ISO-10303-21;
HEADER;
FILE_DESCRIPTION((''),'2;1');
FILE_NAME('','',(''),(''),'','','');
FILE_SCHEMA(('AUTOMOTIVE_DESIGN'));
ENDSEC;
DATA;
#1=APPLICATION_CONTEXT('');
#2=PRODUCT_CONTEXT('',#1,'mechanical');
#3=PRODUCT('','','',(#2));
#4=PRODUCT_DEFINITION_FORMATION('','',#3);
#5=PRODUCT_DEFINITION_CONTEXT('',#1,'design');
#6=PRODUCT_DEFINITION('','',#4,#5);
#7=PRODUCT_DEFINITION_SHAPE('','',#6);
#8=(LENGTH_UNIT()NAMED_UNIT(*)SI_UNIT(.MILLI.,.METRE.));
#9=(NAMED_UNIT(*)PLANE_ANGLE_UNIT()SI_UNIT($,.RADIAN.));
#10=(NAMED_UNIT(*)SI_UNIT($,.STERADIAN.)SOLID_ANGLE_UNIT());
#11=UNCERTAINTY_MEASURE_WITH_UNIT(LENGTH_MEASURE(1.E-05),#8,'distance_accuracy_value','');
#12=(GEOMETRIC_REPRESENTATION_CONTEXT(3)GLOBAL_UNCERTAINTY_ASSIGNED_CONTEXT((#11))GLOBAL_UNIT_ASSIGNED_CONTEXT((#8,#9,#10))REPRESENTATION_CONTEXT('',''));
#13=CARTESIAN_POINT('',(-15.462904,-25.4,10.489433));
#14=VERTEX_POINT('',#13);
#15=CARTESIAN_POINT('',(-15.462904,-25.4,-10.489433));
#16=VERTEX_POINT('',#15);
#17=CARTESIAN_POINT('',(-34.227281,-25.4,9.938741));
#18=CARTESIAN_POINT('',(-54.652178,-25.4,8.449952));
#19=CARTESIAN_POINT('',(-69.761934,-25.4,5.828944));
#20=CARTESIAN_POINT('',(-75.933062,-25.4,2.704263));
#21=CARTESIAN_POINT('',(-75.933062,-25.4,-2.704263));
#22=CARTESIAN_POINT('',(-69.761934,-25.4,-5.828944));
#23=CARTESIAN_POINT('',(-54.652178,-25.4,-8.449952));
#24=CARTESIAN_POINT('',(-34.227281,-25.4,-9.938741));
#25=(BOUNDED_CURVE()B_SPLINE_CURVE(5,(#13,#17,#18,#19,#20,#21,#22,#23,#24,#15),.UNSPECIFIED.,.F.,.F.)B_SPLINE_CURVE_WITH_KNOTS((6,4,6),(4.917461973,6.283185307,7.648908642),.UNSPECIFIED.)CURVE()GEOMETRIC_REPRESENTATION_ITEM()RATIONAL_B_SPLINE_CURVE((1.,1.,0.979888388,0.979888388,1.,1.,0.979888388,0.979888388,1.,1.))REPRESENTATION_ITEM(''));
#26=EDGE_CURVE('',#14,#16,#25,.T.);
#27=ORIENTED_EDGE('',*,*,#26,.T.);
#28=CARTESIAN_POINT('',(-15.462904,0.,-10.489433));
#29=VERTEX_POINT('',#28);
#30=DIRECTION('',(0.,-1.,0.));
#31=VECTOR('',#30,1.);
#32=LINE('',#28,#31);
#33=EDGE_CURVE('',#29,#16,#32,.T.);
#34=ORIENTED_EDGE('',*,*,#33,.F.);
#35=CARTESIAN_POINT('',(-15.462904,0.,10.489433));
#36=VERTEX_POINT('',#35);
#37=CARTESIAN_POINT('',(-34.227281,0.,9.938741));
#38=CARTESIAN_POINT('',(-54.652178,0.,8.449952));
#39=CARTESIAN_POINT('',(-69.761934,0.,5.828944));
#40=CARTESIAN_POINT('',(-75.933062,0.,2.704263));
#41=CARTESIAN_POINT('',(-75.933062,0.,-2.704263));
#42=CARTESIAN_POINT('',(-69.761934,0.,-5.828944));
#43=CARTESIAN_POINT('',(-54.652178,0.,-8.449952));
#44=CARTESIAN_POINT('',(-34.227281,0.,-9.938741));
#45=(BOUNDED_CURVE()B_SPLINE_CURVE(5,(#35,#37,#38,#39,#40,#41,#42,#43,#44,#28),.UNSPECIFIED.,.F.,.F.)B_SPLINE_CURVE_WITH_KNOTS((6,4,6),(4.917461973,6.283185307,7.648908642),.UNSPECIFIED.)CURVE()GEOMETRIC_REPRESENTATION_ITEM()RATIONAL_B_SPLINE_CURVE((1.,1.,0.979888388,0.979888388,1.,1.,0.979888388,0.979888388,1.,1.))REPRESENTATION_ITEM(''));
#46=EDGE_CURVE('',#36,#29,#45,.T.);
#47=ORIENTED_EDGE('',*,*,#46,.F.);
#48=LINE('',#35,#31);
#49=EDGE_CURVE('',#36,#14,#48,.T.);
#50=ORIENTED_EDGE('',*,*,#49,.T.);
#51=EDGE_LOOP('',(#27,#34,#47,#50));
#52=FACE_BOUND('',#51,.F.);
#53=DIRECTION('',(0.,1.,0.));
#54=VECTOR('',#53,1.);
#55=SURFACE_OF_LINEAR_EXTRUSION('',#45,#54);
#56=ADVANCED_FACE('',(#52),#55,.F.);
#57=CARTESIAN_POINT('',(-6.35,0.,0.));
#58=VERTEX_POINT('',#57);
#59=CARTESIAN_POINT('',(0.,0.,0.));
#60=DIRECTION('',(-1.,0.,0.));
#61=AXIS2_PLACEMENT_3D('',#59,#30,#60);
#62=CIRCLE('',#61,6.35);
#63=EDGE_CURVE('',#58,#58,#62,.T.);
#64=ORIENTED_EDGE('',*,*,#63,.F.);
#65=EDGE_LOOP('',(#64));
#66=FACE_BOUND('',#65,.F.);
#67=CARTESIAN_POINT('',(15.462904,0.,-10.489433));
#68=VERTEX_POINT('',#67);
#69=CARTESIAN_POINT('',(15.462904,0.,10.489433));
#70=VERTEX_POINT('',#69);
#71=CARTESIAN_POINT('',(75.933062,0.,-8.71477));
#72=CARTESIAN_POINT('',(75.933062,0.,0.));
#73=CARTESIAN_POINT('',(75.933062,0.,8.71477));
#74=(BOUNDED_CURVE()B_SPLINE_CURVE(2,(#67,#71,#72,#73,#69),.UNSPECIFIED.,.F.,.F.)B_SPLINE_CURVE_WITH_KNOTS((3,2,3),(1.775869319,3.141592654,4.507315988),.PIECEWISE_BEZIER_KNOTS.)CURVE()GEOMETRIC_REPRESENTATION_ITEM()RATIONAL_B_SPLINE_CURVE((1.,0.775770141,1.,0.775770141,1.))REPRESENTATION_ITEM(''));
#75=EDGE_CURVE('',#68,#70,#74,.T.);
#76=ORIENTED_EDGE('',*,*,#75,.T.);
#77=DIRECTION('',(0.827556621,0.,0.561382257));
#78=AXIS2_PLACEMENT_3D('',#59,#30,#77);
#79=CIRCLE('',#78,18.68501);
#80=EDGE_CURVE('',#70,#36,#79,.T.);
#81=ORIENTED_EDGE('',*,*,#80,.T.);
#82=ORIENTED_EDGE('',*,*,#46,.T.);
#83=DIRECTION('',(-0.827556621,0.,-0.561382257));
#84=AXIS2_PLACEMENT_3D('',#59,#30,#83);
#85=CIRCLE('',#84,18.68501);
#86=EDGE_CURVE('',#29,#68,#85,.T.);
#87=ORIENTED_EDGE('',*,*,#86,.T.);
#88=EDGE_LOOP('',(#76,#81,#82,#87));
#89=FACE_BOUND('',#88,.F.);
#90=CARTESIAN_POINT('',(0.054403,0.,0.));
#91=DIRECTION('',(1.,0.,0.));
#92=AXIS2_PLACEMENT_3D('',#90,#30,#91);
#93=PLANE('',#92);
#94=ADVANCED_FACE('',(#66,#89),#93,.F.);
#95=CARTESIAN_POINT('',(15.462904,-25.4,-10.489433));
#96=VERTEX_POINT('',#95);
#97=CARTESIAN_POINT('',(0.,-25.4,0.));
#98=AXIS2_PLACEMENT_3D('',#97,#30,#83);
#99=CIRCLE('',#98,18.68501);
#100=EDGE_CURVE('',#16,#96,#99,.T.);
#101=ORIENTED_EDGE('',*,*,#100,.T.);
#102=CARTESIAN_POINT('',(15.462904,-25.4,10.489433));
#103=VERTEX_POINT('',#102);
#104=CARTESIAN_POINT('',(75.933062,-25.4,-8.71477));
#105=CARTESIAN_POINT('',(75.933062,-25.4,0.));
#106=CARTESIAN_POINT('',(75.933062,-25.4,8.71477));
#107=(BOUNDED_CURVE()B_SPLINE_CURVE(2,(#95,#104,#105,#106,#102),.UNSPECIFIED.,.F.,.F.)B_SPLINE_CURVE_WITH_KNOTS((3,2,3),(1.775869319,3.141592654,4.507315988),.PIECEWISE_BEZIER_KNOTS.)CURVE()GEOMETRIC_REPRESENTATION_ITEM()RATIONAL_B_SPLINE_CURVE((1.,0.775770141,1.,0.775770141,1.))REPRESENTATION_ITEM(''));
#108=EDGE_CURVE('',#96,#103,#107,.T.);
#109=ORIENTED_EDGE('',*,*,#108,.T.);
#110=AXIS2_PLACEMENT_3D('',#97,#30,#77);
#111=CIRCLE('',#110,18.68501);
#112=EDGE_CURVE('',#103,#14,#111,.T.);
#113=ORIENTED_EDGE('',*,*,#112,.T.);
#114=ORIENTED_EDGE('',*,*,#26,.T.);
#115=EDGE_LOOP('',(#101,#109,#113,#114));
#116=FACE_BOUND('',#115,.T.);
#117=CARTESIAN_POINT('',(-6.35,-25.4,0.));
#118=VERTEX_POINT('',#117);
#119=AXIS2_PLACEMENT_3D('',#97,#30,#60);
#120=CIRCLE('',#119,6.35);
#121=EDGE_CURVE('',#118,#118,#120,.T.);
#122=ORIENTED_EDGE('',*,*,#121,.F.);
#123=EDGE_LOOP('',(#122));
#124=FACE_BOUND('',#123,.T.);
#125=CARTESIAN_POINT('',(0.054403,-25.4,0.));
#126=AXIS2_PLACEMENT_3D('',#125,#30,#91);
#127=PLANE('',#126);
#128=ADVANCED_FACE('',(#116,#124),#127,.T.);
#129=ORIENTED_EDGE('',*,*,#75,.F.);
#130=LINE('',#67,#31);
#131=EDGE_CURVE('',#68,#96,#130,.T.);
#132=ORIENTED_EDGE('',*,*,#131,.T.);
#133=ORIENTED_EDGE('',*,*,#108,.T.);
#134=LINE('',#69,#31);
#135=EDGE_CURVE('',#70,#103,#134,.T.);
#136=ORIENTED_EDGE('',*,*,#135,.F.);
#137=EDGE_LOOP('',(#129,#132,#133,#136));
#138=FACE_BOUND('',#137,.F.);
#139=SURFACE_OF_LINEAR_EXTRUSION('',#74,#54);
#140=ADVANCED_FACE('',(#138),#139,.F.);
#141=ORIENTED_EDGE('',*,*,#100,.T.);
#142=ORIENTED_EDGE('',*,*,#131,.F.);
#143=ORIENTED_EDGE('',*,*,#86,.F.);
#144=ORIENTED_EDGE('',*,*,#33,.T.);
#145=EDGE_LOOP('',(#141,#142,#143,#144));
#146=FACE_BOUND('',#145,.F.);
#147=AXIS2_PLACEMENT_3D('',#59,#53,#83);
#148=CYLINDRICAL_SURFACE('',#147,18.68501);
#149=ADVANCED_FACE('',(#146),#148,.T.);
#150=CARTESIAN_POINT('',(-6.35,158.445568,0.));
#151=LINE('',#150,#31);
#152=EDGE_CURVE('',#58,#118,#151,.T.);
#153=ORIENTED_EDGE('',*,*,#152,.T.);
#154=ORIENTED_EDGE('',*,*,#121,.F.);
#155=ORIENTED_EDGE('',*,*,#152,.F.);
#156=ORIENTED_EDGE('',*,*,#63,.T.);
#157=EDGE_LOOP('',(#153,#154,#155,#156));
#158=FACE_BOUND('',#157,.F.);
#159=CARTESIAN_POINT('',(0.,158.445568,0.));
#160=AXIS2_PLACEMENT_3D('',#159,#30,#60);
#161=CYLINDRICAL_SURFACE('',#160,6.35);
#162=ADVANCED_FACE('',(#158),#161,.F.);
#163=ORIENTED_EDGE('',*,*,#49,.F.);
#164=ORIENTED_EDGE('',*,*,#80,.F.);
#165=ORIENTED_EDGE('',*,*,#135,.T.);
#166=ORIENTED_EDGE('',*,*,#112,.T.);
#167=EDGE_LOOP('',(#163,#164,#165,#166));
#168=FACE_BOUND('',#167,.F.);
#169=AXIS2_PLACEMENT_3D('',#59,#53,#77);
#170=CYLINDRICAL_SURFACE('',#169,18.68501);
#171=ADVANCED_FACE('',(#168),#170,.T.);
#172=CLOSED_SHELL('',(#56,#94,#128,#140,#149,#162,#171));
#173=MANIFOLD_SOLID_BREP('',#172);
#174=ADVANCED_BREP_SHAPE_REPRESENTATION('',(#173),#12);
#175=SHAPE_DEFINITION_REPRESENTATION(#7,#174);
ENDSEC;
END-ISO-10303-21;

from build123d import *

# Parameters (mm, degrees)
F1_DEPTH = 25.4
F2_D     = 12.7


with BuildPart() as f1:
    # F0 (on Front) → F1 (new body)
    with BuildSketch(Plane.XZ):
        with BuildLine():
            ThreePointArc((15.4629041106, -10.4894333364), (17.8613288985, -5.4865786456), (18.6850104429, 0))
            ThreePointArc((18.6850104429, 0), (17.8613288985, 5.4865786456), (15.4629041106, 10.4894333364))
            add(Edge.make_bspline(
                [(15.4629041106, 10.4894333364), (0, 10.9432349415), (-15.4629041106, 10.4894333364)],
                knots=[4.5073159881, 4.5073159881, 4.5073159881, 4.9174619727, 4.9174619727, 4.9174619727], degree=2, weights=[1, 0.9790461231, 1]))
            ThreePointArc((-15.4629041106, 10.4894333364), (-18.6850104429, 0), (-15.4629041106, -10.4894333364))
            add(Edge.make_bspline(
                [(-15.4629041106, -10.4894333364), (0, -10.9432349415), (15.4629041106, -10.4894333364)],
                knots=[1.3657233345, 1.3657233345, 1.3657233345, 1.7758693191, 1.7758693191, 1.7758693191], degree=2, weights=[1, 0.9790461231, 1]))
        make_face()
        with BuildLine():
            ThreePointArc((15.4629041106, 10.4894333364), (17.8613288985, 5.4865786456), (18.6850104429, 0))
            ThreePointArc((18.6850104429, 0), (17.8613288985, -5.4865786456), (15.4629041106, -10.4894333364))
            add(Edge.make_bspline(
                [(15.4629041106, -10.4894333364), (75.9330615401, -8.7147696442), (75.9330615401, 0), (75.9330615401, 8.7147696442), (15.4629041106, 10.4894333364)],
                knots=[1.7758693191, 1.7758693191, 1.7758693191, 3.1415926536, 3.1415926536, 4.5073159881, 4.5073159881, 4.5073159881], degree=2, weights=[1, 0.775770141, 1, 0.775770141, 1]))
        make_face()
        with BuildLine():
            add(Edge.make_bspline(
                [(15.4629041106, 10.4894333364), (0, 10.9432349415), (-15.4629041106, 10.4894333364)],
                knots=[4.5073159881, 4.5073159881, 4.5073159881, 4.9174619727, 4.9174619727, 4.9174619727], degree=2, weights=[1, 0.9790461231, 1]))
            ThreePointArc((15.4629041106, 10.4894333364), (0, 18.6850104429), (-15.4629041106, 10.4894333364))
        make_face()
        with BuildLine():
            ThreePointArc((-15.4629041106, -10.4894333364), (0, -18.6850104429), (15.4629041106, -10.4894333364))
            add(Edge.make_bspline(
                [(-15.4629041106, -10.4894333364), (0, -10.9432349415), (15.4629041106, -10.4894333364)],
                knots=[1.3657233345, 1.3657233345, 1.3657233345, 1.7758693191, 1.7758693191, 1.7758693191], degree=2, weights=[1, 0.9790461231, 1]))
        make_face()
        with BuildLine():
            ThreePointArc((-15.4629041106, -10.4894333364), (-18.6850104429, 0), (-15.4629041106, 10.4894333364))
            add(Edge.make_bspline(
                [(-15.4629041106, 10.4894333364), (-75.9330615401, 8.7147696442), (-75.9330615401, 0)],
                knots=[4.9174619727, 4.9174619727, 4.9174619727, 6.2831853072, 6.2831853072, 6.2831853072], degree=2, weights=[1, 0.775770141, 1]))
            add(Edge.make_bspline(
                [(-75.9330615401, 0), (-75.9330615401, -8.7147696442), (-15.4629041106, -10.4894333364)],
                knots=[0, 0, 0, 1.3657233345, 1.3657233345, 1.3657233345], degree=2, weights=[1, 0.775770141, 1]))
        make_face()
    extrude(amount=F1_DEPTH)

    # F2 (through all)
    with Locations(Plane(origin=(0, 0, 0), x_dir=(1, 0, 0), z_dir=(0, 1, 0))):
        with Locations((0, 0)):
            Hole(F2_D / 2)


solid = f1.part
